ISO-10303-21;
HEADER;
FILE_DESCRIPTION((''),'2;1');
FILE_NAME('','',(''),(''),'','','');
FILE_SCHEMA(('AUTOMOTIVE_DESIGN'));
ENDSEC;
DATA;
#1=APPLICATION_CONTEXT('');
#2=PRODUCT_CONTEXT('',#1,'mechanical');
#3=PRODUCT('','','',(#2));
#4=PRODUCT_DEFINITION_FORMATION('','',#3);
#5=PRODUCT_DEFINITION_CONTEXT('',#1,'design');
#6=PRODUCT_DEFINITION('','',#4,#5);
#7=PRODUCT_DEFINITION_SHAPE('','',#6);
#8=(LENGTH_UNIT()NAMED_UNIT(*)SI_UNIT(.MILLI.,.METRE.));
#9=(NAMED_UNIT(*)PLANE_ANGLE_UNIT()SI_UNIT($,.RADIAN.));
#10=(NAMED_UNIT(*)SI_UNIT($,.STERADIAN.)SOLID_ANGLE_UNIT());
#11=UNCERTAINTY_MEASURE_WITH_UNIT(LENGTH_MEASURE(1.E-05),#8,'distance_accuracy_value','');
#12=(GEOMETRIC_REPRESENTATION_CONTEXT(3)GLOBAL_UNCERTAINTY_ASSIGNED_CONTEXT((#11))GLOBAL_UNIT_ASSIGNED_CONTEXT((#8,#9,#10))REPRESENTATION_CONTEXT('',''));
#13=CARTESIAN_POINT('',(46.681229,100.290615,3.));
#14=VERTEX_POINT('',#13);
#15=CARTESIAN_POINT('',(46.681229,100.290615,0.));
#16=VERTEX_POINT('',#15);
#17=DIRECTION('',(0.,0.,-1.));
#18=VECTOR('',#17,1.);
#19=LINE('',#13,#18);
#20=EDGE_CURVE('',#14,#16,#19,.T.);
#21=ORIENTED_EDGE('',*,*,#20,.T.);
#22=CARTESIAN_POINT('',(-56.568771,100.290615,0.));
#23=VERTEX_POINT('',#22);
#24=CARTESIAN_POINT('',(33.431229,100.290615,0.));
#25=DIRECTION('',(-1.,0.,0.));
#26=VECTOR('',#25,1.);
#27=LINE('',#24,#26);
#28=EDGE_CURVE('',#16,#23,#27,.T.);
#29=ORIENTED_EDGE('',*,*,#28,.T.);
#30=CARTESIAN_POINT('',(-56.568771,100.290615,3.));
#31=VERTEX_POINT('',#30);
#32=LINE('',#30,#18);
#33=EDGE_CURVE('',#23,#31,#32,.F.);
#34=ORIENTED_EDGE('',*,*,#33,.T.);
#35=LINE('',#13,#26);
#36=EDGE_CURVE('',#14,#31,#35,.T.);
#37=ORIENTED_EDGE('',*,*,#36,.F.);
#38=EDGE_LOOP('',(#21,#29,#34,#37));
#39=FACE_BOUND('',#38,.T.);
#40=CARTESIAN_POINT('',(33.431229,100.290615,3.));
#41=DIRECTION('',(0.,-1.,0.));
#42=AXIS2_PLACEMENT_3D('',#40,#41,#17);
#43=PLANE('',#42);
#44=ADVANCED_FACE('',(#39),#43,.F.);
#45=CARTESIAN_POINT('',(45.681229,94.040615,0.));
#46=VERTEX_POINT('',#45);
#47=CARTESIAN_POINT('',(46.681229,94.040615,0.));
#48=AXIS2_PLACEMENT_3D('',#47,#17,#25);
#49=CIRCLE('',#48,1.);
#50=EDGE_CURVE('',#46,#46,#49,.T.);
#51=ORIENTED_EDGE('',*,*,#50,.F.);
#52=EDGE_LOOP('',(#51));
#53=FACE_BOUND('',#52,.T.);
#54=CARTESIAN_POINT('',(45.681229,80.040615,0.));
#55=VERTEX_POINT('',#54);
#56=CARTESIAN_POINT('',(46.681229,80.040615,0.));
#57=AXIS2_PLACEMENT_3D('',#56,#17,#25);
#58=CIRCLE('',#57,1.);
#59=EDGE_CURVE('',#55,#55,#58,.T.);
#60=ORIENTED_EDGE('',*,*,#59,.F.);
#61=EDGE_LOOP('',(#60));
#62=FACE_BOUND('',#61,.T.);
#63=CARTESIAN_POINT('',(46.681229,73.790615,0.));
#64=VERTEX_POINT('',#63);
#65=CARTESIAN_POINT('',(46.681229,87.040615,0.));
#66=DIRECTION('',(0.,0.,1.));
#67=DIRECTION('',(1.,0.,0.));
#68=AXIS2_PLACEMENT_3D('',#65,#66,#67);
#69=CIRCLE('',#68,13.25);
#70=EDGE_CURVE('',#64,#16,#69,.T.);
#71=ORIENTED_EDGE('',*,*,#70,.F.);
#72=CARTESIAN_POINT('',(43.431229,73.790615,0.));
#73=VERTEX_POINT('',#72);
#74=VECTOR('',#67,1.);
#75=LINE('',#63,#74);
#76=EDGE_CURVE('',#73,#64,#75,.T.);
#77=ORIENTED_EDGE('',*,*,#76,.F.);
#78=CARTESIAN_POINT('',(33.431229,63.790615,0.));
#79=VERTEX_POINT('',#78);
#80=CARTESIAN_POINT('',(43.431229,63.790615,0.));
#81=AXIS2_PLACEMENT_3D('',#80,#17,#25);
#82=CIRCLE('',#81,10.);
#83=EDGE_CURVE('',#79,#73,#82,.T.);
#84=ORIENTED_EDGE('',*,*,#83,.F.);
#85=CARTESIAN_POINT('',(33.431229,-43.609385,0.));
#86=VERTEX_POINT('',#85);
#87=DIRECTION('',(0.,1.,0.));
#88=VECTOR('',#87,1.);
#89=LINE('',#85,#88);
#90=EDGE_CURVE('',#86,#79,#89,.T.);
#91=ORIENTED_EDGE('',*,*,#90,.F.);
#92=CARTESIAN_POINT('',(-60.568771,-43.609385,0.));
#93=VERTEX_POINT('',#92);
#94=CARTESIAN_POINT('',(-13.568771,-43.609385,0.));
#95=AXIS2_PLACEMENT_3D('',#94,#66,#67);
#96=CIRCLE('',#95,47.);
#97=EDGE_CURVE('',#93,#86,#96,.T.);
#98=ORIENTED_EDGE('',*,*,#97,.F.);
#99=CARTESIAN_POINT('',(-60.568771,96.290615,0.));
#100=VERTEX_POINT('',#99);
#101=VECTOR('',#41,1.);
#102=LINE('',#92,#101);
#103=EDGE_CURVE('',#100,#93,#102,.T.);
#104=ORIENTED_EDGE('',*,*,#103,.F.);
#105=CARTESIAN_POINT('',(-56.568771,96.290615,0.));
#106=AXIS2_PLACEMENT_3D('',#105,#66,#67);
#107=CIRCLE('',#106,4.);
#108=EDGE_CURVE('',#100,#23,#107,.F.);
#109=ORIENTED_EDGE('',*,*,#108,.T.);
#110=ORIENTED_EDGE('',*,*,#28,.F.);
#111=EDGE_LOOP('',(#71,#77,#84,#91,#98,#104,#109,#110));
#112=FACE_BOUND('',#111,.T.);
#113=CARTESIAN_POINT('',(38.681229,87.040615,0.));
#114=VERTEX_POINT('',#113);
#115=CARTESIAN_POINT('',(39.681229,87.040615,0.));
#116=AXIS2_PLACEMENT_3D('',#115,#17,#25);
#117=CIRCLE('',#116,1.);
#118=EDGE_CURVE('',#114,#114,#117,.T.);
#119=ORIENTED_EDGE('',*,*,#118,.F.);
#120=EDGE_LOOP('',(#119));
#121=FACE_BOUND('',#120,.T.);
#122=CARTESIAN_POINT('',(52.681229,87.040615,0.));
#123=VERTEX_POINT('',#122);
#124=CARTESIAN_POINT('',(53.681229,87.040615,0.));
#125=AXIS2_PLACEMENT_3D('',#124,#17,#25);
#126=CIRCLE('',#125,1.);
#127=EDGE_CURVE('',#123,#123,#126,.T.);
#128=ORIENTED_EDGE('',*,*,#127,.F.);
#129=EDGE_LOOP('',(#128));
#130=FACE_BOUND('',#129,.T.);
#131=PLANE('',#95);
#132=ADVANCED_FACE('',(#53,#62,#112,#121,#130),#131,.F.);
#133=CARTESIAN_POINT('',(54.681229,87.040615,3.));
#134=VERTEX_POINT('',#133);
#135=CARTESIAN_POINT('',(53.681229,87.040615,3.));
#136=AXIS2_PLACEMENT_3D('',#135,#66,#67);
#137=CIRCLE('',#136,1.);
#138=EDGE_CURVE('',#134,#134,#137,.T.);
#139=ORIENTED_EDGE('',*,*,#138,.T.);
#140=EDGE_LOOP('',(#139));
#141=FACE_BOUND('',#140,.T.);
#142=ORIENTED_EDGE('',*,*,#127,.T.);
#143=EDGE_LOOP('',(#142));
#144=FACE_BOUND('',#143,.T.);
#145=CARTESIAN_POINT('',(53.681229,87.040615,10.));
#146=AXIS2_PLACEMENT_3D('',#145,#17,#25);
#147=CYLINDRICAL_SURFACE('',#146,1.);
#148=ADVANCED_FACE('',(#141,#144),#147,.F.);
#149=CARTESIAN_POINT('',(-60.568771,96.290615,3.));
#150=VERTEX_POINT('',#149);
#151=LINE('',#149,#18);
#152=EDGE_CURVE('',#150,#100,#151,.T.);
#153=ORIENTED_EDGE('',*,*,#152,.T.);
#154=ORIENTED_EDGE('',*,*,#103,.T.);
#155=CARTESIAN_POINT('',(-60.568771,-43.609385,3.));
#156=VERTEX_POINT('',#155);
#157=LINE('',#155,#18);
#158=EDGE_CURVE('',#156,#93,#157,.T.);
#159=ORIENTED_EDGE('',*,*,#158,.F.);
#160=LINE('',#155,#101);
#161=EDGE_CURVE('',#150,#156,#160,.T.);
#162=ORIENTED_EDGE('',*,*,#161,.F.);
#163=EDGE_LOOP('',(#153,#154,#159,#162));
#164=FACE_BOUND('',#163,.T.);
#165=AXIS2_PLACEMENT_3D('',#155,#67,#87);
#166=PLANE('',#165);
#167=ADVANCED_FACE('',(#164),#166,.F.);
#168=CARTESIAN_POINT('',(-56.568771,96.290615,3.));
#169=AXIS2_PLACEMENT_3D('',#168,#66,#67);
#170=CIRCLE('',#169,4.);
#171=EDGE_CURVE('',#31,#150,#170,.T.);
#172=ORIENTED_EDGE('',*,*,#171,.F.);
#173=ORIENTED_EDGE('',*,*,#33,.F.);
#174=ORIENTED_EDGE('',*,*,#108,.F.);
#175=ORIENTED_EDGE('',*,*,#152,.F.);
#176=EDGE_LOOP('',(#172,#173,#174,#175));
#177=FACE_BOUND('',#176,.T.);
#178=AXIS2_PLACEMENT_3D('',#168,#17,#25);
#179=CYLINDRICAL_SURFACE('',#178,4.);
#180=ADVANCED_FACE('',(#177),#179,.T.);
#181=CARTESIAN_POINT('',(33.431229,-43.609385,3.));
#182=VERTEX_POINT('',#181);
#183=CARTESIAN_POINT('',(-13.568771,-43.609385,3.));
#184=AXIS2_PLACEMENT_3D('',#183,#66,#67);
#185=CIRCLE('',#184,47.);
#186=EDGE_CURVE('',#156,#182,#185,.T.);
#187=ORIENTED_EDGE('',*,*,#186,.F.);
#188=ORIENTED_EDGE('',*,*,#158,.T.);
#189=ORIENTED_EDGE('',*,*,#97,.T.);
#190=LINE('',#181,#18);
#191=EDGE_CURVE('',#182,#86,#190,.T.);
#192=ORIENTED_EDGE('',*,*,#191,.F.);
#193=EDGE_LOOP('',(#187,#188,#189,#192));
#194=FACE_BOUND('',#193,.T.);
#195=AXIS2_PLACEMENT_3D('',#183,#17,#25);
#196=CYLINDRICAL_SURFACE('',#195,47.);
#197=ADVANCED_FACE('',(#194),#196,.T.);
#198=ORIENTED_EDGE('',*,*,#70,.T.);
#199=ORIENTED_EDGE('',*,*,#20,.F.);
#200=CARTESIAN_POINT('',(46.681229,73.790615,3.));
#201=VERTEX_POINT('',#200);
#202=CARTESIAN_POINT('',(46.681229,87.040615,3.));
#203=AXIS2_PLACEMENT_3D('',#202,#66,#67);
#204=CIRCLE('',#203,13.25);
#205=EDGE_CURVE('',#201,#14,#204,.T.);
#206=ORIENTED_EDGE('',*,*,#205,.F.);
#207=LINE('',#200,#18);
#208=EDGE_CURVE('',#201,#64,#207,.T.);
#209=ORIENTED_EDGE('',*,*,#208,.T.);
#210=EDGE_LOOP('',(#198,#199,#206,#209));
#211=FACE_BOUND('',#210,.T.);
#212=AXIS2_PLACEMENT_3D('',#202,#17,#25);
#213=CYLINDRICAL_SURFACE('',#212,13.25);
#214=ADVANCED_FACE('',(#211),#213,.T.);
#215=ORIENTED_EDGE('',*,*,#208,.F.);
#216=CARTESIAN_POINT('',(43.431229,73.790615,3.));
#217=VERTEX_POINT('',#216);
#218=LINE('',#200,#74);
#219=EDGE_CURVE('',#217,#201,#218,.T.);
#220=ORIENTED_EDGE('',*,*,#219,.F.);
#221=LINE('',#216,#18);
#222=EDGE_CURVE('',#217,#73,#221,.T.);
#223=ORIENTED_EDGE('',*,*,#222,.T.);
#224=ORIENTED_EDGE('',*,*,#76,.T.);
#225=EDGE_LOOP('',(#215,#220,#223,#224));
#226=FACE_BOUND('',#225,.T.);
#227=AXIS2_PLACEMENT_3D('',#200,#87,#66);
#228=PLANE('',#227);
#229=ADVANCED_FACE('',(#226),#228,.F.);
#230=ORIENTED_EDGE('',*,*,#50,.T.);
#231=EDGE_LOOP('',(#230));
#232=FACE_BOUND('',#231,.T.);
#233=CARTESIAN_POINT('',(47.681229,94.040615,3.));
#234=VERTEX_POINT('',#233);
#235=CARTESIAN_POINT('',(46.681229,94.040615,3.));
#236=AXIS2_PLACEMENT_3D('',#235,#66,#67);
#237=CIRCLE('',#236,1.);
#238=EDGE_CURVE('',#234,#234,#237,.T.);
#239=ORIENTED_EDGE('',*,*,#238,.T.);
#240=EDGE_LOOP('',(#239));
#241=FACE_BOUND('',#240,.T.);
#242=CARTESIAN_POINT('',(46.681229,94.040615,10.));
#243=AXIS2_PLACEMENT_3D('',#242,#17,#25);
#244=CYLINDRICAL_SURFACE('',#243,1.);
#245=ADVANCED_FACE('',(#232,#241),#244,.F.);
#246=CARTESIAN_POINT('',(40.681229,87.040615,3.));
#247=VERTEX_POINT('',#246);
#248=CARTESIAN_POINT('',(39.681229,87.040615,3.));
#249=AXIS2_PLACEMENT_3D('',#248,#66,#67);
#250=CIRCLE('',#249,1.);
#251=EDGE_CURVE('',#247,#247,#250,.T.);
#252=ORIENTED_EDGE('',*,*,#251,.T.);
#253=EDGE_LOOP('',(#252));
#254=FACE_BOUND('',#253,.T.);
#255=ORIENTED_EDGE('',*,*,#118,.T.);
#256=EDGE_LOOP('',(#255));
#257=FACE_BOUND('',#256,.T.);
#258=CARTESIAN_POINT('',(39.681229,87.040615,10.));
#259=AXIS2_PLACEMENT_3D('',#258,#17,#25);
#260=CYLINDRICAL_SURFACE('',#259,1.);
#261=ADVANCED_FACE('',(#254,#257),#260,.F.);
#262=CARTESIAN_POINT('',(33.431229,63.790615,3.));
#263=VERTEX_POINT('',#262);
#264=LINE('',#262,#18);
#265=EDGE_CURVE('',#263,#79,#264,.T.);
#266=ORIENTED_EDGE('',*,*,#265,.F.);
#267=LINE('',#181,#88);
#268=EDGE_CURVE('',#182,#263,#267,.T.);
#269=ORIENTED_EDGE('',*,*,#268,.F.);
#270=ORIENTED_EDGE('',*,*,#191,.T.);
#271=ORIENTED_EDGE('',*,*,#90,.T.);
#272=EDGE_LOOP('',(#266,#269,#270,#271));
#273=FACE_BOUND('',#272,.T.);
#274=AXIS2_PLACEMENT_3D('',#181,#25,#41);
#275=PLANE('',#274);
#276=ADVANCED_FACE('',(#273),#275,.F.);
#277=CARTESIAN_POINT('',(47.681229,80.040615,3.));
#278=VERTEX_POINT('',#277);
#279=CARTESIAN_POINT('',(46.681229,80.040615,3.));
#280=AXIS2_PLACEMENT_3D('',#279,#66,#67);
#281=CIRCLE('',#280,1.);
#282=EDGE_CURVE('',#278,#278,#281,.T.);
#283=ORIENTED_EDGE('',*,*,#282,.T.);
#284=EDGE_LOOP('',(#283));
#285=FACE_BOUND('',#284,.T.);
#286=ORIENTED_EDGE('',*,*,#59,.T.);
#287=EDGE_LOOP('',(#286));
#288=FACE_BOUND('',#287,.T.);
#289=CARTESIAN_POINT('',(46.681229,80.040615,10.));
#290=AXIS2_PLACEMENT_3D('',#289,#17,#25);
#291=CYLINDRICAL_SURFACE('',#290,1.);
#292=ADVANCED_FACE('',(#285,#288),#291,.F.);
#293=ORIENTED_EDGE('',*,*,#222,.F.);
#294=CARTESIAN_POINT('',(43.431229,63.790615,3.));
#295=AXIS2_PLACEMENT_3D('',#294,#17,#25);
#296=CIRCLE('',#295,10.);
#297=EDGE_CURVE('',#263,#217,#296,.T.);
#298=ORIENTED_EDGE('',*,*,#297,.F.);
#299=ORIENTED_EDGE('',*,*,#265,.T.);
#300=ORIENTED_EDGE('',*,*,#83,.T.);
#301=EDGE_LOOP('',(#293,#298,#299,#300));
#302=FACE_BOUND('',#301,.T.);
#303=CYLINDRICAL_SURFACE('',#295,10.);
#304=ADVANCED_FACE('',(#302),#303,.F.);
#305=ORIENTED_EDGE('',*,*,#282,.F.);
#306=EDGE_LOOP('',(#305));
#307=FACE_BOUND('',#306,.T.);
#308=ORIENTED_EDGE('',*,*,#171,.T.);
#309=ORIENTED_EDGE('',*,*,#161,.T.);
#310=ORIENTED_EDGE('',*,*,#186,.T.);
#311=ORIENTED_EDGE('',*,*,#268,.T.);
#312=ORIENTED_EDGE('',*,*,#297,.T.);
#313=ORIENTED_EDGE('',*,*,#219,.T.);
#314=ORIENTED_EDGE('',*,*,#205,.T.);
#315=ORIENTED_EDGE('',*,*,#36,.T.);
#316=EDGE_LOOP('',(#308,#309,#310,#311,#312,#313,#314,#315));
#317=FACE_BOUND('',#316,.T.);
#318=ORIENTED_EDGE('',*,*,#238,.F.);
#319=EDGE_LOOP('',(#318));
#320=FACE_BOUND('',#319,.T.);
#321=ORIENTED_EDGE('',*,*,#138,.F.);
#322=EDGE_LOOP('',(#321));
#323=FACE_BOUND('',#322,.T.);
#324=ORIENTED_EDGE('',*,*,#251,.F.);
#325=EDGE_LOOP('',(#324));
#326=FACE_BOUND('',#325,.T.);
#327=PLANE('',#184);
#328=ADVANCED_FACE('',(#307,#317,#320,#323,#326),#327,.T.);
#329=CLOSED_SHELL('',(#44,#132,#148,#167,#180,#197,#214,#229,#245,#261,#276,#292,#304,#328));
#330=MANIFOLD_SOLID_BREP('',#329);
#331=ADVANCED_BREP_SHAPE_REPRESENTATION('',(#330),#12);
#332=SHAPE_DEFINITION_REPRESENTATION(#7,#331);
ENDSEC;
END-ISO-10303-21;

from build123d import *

# Parameters (mm, degrees)
EXTRUDE_1_DEPTH     = 3
SKETCH_2_R          = 1
CUT_EXTRUDE_1_DEPTH = 10
FILLET_1_R          = 4


with BuildPart() as part:
    # 草图1 → 凸台-拉伸1 (new body)
    with BuildSketch(Plane.XY):
        with BuildLine():
            Line((-60.568770688, -43.609385344), (-60.568770688, 100.290614656))
            Line((-60.568770688, 100.290614656), (33.431229312, 100.290614656))
            Line((33.431229312, 100.290614656), (46.681229312, 100.290614656))
            ThreePointArc((46.681229312, 100.290614656), (59.931229312, 87.040614656), (46.681229312, 73.790614656))
            Line((46.681229312, 73.790614656), (43.431229312, 73.790614656))
            ThreePointArc((43.431229312, 73.790614656), (36.3601615, 70.861682468), (33.431229312, 63.790614656))
            Line((33.431229312, 63.790614656), (33.431229312, -43.609385344))
            ThreePointArc((33.431229312, -43.609385344), (-13.568770688, -90.609385344), (-60.568770688, -43.609385344))
        make_face()
    extrude(amount=EXTRUDE_1_DEPTH)

    # 草图2 → 切除-拉伸1 (cut)
    with BuildSketch(Plane(origin=(0, 0, 0), x_dir=(-1, 0, 0), z_dir=(0, 0, -1))):
        with Locations((-46.681229312, 94.040614656)):
            Circle(SKETCH_2_R)
        with Locations((-39.681229312, 87.040614656)):
            Circle(SKETCH_2_R)
        with Locations((-46.681229312, 80.040614656)):
            Circle(SKETCH_2_R)
        with Locations((-53.681229312, 87.040614656)):
            Circle(SKETCH_2_R)
    extrude(amount=-CUT_EXTRUDE_1_DEPTH, mode=Mode.SUBTRACT)

    # 圆角1
    fillet_1_edges = [part.edges().sort_by_distance(p)[0] for p in [
        (-60.568770688, 100.290614656, 1.5),
    ]]
    fillet(fillet_1_edges, radius=FILLET_1_R)


solid = part.part
